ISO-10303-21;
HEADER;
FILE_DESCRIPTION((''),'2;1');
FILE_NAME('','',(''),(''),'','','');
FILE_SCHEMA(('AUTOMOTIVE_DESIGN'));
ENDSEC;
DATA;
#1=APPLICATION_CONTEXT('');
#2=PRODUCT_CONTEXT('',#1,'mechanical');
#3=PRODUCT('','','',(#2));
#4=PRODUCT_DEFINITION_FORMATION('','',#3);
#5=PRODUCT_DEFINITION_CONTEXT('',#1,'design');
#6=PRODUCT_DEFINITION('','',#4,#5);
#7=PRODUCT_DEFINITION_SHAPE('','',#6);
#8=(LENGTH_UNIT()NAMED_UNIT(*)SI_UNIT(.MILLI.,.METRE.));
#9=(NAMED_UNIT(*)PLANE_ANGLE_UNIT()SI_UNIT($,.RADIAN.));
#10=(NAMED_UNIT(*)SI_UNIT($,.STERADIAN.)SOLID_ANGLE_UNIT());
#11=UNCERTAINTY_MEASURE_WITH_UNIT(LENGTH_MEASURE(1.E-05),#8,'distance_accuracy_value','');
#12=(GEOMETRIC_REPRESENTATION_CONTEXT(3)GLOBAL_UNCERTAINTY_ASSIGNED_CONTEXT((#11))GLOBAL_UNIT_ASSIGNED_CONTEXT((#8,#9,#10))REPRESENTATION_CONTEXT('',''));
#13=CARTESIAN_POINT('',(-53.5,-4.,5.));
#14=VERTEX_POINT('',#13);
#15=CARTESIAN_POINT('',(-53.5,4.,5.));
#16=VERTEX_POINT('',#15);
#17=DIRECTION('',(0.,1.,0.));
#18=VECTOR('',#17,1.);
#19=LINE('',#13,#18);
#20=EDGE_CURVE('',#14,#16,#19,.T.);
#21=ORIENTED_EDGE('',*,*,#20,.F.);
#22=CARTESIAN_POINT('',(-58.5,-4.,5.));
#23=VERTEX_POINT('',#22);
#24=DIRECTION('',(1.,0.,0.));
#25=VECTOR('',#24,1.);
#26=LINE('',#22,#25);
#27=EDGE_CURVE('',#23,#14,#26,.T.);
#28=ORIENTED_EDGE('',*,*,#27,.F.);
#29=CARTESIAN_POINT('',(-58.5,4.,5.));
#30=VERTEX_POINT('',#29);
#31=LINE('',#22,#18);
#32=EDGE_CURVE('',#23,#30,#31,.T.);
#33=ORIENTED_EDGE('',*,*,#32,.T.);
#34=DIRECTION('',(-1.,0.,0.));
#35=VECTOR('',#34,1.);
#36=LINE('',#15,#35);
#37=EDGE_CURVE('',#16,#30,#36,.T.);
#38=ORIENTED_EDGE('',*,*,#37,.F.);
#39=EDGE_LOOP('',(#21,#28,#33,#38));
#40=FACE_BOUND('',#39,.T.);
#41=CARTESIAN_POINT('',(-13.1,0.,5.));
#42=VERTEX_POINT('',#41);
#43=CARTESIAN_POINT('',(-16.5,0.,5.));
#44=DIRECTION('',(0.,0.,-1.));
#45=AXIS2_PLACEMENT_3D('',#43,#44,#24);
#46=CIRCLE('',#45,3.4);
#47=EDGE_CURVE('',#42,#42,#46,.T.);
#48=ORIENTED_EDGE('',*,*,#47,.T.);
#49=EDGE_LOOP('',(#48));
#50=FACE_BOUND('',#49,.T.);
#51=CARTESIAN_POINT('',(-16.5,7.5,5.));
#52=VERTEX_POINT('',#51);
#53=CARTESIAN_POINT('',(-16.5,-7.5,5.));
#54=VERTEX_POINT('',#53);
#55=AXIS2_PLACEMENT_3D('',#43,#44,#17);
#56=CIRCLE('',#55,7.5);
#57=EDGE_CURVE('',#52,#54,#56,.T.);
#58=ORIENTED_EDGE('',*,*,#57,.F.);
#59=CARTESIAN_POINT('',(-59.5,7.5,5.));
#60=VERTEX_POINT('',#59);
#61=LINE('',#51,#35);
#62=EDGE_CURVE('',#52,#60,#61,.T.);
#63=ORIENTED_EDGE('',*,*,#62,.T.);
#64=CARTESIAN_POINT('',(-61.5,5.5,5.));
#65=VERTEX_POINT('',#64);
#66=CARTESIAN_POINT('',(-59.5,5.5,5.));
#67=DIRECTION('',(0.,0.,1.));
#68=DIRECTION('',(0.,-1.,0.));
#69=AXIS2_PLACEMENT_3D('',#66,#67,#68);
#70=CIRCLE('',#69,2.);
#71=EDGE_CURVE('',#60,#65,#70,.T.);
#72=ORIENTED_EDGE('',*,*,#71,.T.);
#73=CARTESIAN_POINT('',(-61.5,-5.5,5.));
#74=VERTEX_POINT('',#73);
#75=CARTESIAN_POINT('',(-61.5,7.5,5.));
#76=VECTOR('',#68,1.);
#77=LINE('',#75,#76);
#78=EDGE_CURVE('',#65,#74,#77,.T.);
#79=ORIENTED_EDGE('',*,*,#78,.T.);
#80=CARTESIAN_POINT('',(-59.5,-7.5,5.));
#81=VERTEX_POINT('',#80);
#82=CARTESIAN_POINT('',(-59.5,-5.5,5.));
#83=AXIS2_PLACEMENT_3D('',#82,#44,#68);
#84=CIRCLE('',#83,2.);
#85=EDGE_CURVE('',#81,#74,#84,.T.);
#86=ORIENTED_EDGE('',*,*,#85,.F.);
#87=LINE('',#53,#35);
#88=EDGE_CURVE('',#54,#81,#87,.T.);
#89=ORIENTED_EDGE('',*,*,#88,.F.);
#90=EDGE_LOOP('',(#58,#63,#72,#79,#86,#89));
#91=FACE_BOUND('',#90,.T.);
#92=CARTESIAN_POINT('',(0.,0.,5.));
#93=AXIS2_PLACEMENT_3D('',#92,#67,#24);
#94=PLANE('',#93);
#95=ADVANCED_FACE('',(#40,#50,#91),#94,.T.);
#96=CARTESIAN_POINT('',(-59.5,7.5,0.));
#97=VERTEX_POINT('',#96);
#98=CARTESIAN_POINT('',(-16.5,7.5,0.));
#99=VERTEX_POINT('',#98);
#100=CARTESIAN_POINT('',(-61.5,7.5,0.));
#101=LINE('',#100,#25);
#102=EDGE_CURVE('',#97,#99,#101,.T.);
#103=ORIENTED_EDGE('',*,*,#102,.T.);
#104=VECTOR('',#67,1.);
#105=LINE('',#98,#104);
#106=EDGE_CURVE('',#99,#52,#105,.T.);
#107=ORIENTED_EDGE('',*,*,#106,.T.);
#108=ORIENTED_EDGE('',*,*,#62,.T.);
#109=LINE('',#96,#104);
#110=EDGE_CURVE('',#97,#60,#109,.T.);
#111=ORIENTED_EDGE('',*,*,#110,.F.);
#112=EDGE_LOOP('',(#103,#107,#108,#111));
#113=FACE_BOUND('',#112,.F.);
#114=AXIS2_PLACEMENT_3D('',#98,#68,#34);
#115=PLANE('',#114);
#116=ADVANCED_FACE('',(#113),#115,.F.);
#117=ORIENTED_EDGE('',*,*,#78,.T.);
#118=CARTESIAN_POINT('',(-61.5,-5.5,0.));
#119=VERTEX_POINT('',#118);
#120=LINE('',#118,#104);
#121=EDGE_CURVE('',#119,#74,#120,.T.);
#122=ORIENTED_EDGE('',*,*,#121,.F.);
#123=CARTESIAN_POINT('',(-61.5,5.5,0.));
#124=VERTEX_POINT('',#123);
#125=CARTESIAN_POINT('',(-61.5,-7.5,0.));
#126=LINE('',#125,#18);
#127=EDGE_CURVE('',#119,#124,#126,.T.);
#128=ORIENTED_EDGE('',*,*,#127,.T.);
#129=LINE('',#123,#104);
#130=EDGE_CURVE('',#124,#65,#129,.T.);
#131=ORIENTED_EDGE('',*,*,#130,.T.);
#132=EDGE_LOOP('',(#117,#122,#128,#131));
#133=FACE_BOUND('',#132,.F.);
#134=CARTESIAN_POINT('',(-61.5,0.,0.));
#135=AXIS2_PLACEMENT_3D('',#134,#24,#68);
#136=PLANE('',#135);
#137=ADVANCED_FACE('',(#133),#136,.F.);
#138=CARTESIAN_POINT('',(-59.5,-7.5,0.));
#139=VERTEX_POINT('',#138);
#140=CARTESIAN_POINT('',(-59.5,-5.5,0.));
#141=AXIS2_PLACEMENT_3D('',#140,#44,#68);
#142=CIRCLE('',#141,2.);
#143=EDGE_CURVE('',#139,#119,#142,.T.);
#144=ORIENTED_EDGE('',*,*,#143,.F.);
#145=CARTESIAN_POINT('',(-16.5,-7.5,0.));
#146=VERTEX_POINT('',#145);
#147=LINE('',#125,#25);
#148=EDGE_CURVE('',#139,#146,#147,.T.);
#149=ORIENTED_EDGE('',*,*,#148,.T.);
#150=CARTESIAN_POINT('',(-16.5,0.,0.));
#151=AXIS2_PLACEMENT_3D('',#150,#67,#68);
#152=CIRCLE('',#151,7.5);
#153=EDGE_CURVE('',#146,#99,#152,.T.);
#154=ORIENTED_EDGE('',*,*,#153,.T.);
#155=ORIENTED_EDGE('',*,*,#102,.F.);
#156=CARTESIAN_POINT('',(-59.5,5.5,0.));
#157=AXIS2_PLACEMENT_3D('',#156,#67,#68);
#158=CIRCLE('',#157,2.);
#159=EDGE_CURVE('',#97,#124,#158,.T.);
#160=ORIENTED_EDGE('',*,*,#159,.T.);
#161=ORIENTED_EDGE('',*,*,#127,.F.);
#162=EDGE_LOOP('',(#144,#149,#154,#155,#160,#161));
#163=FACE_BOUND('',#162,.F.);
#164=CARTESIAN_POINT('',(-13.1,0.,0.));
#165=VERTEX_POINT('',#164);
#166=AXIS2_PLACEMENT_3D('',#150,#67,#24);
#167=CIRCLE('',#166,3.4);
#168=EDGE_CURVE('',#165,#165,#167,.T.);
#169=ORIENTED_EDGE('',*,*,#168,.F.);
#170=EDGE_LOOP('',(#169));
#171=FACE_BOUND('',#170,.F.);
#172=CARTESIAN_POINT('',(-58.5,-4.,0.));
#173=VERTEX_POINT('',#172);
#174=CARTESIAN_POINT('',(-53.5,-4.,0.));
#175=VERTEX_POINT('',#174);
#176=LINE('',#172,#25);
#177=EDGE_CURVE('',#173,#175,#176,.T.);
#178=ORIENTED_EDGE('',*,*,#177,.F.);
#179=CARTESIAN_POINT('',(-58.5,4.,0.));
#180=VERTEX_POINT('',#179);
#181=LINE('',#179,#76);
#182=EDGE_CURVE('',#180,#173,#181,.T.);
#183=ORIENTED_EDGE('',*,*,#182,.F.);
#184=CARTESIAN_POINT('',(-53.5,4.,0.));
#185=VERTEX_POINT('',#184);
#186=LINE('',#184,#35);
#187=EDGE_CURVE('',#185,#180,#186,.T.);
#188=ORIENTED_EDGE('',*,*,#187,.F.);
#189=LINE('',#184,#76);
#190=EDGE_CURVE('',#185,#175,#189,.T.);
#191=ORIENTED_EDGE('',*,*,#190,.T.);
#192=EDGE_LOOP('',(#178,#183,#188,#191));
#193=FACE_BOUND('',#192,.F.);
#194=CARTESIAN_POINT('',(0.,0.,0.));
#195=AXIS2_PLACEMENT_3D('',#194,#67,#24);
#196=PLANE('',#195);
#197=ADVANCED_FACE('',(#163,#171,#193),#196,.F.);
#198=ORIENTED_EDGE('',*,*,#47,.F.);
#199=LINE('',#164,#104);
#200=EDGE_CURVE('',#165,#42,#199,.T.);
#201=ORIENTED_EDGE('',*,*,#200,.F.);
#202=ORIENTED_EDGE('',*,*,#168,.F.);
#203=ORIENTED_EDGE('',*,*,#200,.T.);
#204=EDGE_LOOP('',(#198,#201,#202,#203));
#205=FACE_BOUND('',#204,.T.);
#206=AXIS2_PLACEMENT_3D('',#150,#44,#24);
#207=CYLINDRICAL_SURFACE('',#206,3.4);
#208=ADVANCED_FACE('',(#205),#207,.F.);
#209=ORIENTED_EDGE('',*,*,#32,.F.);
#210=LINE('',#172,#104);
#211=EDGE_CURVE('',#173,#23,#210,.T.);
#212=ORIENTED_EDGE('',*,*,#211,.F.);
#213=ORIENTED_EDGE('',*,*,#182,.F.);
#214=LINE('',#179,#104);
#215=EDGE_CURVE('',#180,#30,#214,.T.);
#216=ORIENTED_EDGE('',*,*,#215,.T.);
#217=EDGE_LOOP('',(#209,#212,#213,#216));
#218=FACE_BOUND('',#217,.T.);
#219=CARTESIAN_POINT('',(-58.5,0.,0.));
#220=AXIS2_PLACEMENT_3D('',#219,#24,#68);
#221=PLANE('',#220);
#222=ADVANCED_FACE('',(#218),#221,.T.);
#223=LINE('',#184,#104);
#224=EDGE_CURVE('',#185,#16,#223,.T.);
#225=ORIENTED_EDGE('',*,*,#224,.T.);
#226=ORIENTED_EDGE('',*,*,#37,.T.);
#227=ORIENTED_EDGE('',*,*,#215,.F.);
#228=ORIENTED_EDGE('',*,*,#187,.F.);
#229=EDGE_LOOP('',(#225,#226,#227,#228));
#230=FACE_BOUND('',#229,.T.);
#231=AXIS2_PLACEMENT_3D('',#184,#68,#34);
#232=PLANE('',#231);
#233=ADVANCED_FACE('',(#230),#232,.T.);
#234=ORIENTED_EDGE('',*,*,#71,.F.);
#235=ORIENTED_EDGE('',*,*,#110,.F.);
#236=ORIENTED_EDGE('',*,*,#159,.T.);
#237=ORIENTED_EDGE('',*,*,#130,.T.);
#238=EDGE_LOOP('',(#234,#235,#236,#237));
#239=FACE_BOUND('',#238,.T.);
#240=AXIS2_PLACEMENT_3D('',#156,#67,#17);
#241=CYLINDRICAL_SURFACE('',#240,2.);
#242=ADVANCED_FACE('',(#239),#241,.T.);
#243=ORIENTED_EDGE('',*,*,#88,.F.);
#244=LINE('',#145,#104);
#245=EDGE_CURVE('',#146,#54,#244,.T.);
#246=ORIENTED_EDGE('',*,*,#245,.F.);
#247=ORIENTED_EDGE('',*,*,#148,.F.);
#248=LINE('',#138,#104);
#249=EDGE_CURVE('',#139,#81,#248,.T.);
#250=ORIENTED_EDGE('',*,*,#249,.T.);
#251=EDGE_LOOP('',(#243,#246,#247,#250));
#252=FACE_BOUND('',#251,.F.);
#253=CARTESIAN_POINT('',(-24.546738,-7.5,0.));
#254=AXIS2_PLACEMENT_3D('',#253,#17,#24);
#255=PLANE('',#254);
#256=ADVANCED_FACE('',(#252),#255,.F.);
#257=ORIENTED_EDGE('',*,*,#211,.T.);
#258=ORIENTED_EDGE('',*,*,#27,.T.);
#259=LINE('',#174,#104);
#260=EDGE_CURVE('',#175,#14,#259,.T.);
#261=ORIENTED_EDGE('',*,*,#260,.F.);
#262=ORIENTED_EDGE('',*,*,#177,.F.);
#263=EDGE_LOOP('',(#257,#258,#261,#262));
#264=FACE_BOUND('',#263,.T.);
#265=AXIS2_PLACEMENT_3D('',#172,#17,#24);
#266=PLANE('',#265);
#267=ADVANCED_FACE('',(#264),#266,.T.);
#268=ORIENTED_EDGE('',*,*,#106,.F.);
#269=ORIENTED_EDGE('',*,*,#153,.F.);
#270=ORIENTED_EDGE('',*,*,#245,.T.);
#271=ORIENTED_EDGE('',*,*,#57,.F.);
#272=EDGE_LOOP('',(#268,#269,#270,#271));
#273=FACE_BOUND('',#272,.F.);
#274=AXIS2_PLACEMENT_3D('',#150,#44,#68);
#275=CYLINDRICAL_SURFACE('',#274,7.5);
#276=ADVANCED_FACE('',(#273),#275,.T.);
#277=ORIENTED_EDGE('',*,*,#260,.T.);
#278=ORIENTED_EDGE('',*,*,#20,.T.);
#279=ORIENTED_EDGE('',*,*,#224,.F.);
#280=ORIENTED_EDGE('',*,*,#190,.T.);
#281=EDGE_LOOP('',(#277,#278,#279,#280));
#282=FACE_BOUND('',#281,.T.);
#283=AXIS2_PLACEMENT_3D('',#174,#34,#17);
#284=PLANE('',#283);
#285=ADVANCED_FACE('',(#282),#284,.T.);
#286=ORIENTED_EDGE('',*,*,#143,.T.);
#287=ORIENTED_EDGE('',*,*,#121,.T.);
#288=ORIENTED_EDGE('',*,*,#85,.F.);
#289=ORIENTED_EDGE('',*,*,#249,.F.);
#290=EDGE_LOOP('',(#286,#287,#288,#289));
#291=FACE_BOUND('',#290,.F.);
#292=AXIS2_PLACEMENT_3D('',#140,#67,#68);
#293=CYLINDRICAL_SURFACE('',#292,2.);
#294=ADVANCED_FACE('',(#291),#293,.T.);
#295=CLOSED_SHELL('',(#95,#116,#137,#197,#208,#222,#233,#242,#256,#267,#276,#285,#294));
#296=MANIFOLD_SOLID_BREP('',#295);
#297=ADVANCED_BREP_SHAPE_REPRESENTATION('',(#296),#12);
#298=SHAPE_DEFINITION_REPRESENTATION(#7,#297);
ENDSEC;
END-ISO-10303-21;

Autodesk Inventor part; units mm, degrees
ref_plane "YZ Plane" through (0, 0, 0) normal (1, 0, 0) x (0, 1, 0)
ref_plane "XZ Plane" through (0, 0, 0) normal (0, 1, 0) x (-1, 0, 0)
ref_plane "XY Plane" through (0, 0, 0) normal (0, 0, 1) x (1, 0, 0)
sketch "Skizze1" plane through (0, 0, 0) normal (0, 0, 1) x (1, 0, 0)
  line L0 (0, -24.15) -> (0, 24.15) projected
  line L1 (-77.25, 0) -> (33, 0) projected
  circle A0 centre (-15.5, 15.5) radius 1.75
  circle A1 centre (15.5, 15.5) radius 1.75
  circle A2 centre (-15.5, -15.5) radius 1.75
  circle A3 centre (15.5, -15.5) radius 1.75
  circle A4 centre (-16.5, 0) radius 11
  circle A5 centre (0, 0) radius 5.5
  circle A6 centre (-16.5, 0) radius 3.4
  arc A7 (-16.5, -7.5) -> (-16.5, 7.5) centre (-16.5, 0) ccw
  line L2 (-16.5, 7.5) -> (-36.5, 7.5)
  line L3 (-36.5, 7.5) -> (-61.5, 7.5)
  line L4 (-61.5, 7.5) -> (-61.5, -7.5)
  line L5 (-61.5, -7.5) -> (-16.5, -7.5)
  dimension "d0" = 3.5
  dimension "d1" = 15.5
  dimension "d2" = 15.5
  dimension "d3" = 22
  dimension "d4" = 16.5
  dimension "d5" = 11
  dimension "d6" = 6.8
  dimension "d7" = 15
  dimension "d10" = 15
  dimension "d11" = 45
extrude "Extrusion1" add sketch "Skizze1" along normal blind 5 contours A7 L5 A4 L1 A6 | L1 A6 A4 L2 A7 | A4 L1 L4 L3 L2 | L5 L4 L1 A4
sketch "Skizze3" plane through (0, 0, 0) normal (0, 0, -1) x (-1, 0, 0)
  circle A0 centre (16.5, 0) radius 3.4 projected
  arc A1 (16.5, 7.5) -> (16.5, -7.5) centre (16.5, 0) ccw projected
  line L0 (16.5, -7.5) -> (61.5, -7.5) projected
  line L1 (61.5, -7.5) -> (61.5, 7.5) projected
  line L2 (61.5, 7.5) -> (16.5, 7.5) projected
  line L3 (58.5, -4) -> (53.5, -4)
  line L4 (53.5, -4) -> (53.5, 4)
  line L5 (53.5, 4) -> (58.5, 4)
  line L6 (58.5, 4) -> (58.5, -4)
  line L7 (73.8, 0) -> (-12.3, 0) projected
  point P0 (0, 0)
  dimension "d17" = 5
  dimension "d18" = 8
  dimension "d19" = 3
extrude "Extrusion3" cut sketch "Skizze3" against normal blind 5 contours L7 L6 L3 L4 | L4 L5 L6 L7
fillet "Rundung1" radius 2 2 edges at (-61.5, 7.5, 2.5) (-61.5, -7.5, 2.5)
properties part number "Kugellager-Schieber-Seite_M8Gewinde" material "ABS-Kunststoff"
